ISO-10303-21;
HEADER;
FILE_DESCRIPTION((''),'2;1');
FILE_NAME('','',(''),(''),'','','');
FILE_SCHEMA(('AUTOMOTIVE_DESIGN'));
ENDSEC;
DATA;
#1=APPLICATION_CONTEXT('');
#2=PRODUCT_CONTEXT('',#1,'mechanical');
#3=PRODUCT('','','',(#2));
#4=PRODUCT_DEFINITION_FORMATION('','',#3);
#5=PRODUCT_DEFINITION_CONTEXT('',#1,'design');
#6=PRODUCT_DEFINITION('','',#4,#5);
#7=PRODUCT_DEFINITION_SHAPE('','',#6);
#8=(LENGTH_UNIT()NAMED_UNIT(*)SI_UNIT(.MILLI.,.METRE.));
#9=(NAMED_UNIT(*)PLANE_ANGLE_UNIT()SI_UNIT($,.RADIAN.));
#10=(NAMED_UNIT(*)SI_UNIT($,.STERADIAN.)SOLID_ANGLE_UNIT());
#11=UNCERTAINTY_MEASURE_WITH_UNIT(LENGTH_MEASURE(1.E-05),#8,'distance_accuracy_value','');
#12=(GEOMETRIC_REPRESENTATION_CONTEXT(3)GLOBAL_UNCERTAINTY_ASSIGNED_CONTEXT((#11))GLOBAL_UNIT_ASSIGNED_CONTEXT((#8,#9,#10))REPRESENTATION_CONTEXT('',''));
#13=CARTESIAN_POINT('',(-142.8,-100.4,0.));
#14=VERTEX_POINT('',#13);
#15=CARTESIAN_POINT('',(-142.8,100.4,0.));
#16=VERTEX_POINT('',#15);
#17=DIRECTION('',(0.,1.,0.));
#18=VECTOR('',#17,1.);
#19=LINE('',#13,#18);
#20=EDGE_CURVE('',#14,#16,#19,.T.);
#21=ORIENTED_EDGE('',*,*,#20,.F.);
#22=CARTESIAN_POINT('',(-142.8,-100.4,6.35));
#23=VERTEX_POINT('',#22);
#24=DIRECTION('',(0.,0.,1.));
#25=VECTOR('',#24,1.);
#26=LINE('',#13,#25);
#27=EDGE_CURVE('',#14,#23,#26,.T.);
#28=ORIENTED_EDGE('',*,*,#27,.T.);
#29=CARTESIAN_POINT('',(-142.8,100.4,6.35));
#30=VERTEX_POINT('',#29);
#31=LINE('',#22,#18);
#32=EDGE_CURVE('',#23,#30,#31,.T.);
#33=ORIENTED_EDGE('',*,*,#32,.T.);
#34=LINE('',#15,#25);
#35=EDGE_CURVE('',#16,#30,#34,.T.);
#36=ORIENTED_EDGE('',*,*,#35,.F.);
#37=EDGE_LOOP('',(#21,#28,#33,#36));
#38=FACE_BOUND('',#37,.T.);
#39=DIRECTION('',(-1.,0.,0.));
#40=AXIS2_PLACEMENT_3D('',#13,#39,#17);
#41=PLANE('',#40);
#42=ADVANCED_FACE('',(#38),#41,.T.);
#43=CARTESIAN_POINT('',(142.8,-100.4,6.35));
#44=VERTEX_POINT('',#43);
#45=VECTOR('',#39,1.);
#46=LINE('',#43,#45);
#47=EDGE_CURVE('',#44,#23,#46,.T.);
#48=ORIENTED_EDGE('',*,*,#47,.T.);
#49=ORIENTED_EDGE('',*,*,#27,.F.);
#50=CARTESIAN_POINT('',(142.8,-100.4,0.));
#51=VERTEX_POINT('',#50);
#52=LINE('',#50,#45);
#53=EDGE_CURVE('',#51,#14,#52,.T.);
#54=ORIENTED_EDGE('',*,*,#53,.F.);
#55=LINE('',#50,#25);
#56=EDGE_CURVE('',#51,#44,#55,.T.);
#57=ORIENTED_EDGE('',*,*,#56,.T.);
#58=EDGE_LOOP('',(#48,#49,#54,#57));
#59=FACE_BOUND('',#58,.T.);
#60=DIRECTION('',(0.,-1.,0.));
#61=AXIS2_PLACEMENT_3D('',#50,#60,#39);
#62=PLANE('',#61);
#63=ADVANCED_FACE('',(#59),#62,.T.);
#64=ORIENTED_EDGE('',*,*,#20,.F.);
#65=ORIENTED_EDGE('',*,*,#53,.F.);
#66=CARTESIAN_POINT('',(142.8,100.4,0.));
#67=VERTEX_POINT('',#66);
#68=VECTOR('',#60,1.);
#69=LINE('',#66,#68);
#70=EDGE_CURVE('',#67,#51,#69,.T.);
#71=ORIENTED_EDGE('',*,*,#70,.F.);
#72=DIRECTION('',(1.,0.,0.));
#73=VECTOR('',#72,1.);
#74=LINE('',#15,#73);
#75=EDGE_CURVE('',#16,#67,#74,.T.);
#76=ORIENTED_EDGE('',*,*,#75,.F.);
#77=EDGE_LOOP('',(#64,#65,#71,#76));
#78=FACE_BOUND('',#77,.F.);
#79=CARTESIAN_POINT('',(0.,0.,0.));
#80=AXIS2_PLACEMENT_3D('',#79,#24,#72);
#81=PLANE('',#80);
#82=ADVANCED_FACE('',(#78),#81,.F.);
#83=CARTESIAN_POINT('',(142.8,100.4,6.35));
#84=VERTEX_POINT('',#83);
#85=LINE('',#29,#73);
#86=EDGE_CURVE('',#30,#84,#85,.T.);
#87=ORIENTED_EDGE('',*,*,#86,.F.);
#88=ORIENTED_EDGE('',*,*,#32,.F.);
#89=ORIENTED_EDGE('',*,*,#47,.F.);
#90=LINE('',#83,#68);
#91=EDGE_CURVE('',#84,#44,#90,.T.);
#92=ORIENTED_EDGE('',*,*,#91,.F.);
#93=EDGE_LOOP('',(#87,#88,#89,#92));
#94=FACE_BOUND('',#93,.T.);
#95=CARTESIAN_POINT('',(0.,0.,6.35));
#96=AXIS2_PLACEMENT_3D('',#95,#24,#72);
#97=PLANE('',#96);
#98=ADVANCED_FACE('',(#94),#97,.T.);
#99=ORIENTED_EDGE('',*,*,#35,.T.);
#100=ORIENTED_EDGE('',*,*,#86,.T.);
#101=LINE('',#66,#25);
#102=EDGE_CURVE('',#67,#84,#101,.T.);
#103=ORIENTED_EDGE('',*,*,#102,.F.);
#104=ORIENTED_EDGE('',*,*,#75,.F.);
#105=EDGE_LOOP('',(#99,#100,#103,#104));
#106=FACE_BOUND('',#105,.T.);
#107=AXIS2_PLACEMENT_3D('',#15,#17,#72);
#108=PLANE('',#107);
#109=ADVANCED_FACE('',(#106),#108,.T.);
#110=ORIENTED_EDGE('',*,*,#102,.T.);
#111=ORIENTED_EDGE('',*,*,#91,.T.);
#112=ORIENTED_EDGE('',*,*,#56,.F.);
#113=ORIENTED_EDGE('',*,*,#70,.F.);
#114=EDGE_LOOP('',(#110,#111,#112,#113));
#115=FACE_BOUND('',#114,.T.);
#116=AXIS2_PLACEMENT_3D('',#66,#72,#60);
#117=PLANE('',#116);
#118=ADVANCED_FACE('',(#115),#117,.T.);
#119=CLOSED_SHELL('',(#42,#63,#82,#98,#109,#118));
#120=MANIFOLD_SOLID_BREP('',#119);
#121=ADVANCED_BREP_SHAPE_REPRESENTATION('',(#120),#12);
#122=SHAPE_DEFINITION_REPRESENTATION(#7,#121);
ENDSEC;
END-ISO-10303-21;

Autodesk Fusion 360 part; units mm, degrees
sketch "Sketch1" plane through (0, 0, 0) normal (0, 0, 1) x (1, 0, 0)
  line L0 (142.8, -100.4) -> (-142.8, -100.4)
  line L1 (-142.8, -100.4) -> (-142.8, 100.4)
  line L2 (-142.8, 100.4) -> (142.8, 100.4)
  line L3 (142.8, 100.4) -> (142.8, -100.4)
  line L4 (142.8, -100.4) -> (-142.8, 100.4) construction
  line L5 (-142.8, -100.4) -> (142.8, 100.4) construction
  dimension "d1" = 200.8
  dimension "d2" = 285.6
extrude "Extrude1" add sketch "Sketch1" along normal blind 6.35
